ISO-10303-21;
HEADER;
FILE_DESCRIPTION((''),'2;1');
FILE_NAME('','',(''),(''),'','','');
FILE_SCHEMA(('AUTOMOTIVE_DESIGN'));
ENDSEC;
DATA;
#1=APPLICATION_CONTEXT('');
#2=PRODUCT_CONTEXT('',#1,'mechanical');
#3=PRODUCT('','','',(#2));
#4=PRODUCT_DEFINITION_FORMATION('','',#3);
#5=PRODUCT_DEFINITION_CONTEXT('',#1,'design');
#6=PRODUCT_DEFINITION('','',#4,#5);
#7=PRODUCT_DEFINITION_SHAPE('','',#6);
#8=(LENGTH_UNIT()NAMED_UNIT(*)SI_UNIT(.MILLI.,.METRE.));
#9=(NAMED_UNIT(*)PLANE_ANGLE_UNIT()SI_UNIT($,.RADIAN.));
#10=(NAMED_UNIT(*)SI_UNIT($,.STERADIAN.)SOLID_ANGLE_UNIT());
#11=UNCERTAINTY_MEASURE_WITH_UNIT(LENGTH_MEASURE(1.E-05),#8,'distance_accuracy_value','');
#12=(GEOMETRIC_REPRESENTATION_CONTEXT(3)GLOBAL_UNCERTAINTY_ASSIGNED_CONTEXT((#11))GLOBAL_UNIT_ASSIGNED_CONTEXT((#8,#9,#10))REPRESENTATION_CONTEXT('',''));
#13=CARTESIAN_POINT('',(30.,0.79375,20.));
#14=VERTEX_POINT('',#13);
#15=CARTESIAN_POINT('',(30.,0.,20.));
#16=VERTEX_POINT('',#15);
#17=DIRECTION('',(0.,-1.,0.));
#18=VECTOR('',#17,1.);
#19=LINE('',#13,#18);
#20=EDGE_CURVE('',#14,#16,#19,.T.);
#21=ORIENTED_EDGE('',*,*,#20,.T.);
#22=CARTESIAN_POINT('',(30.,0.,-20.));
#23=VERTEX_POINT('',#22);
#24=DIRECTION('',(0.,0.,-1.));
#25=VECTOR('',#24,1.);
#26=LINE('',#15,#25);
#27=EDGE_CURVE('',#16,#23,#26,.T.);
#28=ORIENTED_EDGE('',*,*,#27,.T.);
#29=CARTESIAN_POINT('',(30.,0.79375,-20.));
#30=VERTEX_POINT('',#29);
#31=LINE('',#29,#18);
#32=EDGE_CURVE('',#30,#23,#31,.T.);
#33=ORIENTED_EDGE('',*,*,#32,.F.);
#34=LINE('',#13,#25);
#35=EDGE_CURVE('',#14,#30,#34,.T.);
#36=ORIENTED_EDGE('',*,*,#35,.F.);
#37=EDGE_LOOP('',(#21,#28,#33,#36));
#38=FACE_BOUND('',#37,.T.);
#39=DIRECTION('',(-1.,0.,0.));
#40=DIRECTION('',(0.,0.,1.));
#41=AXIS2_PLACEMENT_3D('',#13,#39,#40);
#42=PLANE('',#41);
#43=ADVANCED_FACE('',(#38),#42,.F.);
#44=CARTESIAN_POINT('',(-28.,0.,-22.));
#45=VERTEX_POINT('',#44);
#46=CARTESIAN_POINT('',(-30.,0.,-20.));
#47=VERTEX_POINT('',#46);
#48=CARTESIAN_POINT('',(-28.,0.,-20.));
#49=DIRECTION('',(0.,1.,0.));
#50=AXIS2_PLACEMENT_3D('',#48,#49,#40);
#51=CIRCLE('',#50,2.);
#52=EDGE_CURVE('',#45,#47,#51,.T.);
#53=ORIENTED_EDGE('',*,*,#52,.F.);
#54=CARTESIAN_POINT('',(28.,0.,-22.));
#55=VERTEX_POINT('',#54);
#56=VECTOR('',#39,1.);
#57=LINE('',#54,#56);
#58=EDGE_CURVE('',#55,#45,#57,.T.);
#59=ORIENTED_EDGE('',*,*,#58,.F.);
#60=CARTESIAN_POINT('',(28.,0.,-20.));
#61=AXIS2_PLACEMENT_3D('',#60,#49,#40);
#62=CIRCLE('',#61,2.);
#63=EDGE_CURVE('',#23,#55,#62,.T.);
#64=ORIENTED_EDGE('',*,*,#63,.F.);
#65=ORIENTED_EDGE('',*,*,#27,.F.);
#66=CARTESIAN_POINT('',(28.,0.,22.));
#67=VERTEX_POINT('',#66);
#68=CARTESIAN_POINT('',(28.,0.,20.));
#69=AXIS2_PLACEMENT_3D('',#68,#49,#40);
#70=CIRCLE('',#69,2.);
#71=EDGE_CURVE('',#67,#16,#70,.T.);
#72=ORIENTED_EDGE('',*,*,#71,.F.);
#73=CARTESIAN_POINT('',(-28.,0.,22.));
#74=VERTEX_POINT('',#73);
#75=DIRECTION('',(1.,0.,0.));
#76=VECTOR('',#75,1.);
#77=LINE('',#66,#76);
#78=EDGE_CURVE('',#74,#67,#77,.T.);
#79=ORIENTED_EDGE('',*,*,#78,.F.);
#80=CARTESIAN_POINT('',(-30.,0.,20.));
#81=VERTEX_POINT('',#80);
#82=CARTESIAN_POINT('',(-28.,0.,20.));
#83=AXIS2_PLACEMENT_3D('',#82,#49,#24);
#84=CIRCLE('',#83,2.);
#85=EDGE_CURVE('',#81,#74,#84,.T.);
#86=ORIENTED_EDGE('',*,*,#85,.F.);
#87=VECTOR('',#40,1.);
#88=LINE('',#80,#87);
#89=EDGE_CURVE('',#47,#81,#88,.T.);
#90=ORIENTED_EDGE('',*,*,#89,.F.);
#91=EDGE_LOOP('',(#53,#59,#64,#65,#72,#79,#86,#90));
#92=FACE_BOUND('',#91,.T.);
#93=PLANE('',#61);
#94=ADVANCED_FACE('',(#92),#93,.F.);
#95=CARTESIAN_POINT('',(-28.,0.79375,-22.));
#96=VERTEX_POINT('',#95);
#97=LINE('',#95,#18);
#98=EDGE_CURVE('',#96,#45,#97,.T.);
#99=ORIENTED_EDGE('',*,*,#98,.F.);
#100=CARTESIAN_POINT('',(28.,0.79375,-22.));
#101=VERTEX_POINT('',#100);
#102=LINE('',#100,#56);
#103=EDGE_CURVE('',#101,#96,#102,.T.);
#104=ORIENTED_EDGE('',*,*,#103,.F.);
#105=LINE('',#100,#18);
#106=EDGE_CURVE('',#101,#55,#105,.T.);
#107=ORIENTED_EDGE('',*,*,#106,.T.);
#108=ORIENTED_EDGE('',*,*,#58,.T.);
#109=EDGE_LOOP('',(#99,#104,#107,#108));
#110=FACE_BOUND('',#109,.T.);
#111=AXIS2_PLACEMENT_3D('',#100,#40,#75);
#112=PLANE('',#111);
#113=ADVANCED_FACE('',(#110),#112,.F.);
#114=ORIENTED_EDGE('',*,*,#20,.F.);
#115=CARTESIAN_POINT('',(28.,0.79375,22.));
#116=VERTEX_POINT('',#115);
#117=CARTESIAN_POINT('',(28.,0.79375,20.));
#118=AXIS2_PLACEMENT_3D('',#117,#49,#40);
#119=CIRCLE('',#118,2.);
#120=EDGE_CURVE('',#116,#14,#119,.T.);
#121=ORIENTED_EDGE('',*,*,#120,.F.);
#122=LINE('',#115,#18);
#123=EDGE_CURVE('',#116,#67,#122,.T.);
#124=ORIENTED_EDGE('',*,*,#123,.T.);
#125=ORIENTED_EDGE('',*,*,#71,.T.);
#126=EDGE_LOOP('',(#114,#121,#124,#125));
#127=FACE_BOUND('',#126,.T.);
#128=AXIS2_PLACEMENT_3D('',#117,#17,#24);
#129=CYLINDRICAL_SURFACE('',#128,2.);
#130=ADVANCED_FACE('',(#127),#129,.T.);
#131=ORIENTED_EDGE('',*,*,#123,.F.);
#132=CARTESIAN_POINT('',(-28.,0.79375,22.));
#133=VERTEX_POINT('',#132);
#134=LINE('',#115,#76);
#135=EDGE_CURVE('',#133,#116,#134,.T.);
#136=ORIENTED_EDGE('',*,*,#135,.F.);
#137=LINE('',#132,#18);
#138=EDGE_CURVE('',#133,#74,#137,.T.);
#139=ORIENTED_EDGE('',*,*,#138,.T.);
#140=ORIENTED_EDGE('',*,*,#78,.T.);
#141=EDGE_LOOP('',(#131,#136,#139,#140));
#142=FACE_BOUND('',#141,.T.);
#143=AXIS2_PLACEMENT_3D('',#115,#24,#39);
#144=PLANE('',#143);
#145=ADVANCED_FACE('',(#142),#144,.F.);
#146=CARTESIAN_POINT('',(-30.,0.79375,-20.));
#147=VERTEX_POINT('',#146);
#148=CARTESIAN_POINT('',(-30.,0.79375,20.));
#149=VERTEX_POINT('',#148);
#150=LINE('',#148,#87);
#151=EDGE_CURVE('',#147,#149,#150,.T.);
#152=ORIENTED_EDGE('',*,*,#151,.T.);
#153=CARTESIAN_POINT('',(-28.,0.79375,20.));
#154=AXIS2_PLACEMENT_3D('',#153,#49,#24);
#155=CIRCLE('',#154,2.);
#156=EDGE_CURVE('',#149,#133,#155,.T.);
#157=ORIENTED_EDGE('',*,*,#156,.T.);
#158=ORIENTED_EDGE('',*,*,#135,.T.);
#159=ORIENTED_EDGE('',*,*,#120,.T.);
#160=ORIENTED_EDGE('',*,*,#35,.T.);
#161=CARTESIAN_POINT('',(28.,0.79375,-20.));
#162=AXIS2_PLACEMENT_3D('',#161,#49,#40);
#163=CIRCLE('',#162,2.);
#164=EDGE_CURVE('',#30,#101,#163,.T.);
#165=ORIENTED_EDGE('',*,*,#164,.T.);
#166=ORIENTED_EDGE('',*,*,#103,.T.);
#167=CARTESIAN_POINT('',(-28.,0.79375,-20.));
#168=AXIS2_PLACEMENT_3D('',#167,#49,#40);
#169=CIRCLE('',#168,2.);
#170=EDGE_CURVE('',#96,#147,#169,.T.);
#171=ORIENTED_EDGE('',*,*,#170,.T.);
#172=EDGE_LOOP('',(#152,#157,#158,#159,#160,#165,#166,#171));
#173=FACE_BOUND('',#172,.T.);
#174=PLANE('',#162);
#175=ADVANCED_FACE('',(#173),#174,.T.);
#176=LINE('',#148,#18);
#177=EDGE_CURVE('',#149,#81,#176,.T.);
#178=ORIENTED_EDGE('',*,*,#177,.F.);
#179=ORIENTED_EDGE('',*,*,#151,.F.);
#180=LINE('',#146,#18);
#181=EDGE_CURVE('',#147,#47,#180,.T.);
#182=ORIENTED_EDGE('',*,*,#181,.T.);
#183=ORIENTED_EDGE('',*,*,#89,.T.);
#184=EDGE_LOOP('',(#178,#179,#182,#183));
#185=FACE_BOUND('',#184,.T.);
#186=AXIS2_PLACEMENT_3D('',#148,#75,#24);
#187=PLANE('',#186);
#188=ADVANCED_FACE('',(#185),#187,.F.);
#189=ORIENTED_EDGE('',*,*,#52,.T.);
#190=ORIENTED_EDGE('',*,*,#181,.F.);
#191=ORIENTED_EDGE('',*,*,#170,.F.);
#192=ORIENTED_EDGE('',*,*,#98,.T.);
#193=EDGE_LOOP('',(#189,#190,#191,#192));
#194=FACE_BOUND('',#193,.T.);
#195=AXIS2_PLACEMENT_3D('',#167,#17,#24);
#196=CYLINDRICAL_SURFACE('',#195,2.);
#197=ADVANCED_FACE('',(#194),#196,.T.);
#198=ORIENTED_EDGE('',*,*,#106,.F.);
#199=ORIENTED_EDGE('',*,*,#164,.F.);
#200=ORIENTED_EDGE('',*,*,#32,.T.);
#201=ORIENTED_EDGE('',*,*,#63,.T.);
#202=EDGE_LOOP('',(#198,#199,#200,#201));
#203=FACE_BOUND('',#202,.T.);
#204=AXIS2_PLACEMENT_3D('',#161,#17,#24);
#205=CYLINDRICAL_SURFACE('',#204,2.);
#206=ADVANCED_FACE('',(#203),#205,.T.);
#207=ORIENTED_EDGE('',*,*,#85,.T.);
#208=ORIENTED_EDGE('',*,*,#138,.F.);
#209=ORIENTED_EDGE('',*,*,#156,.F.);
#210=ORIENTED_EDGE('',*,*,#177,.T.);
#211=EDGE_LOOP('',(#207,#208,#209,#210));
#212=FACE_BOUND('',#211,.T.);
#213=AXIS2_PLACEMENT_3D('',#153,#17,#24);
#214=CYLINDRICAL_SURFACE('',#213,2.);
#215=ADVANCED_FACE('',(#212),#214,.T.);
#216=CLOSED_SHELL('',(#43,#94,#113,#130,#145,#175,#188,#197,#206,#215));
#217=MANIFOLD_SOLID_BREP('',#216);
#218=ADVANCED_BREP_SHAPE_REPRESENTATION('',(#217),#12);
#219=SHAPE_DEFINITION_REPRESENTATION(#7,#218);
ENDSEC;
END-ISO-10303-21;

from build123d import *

# Parameters (mm, degrees)
BOSS_EXTRUDE1_DEPTH = 0.79375


with BuildPart() as part:
    # Sketch1 → Boss-Extrude1 (new body)
    with BuildSketch(Plane(origin=(0, 0, 0), x_dir=(1, 0, 0), z_dir=(0, 1, 0))):
        with BuildLine():
            Line((28, -22), (-28, -22))
            ThreePointArc((-28, -22), (-29.414213562, -21.414213562), (-30, -20))
            Line((-30, -20), (-30, 20))
            ThreePointArc((-30, 20), (-29.414213562, 21.414213562), (-28, 22))
            Line((-28, 22), (28, 22))
            ThreePointArc((28, 22), (29.414213562, 21.414213562), (30, 20))
            Line((30, 20), (30, -20))
            ThreePointArc((30, -20), (29.414213562, -21.414213562), (28, -22))
        make_face()
    extrude(amount=BOSS_EXTRUDE1_DEPTH)


solid = part.part
